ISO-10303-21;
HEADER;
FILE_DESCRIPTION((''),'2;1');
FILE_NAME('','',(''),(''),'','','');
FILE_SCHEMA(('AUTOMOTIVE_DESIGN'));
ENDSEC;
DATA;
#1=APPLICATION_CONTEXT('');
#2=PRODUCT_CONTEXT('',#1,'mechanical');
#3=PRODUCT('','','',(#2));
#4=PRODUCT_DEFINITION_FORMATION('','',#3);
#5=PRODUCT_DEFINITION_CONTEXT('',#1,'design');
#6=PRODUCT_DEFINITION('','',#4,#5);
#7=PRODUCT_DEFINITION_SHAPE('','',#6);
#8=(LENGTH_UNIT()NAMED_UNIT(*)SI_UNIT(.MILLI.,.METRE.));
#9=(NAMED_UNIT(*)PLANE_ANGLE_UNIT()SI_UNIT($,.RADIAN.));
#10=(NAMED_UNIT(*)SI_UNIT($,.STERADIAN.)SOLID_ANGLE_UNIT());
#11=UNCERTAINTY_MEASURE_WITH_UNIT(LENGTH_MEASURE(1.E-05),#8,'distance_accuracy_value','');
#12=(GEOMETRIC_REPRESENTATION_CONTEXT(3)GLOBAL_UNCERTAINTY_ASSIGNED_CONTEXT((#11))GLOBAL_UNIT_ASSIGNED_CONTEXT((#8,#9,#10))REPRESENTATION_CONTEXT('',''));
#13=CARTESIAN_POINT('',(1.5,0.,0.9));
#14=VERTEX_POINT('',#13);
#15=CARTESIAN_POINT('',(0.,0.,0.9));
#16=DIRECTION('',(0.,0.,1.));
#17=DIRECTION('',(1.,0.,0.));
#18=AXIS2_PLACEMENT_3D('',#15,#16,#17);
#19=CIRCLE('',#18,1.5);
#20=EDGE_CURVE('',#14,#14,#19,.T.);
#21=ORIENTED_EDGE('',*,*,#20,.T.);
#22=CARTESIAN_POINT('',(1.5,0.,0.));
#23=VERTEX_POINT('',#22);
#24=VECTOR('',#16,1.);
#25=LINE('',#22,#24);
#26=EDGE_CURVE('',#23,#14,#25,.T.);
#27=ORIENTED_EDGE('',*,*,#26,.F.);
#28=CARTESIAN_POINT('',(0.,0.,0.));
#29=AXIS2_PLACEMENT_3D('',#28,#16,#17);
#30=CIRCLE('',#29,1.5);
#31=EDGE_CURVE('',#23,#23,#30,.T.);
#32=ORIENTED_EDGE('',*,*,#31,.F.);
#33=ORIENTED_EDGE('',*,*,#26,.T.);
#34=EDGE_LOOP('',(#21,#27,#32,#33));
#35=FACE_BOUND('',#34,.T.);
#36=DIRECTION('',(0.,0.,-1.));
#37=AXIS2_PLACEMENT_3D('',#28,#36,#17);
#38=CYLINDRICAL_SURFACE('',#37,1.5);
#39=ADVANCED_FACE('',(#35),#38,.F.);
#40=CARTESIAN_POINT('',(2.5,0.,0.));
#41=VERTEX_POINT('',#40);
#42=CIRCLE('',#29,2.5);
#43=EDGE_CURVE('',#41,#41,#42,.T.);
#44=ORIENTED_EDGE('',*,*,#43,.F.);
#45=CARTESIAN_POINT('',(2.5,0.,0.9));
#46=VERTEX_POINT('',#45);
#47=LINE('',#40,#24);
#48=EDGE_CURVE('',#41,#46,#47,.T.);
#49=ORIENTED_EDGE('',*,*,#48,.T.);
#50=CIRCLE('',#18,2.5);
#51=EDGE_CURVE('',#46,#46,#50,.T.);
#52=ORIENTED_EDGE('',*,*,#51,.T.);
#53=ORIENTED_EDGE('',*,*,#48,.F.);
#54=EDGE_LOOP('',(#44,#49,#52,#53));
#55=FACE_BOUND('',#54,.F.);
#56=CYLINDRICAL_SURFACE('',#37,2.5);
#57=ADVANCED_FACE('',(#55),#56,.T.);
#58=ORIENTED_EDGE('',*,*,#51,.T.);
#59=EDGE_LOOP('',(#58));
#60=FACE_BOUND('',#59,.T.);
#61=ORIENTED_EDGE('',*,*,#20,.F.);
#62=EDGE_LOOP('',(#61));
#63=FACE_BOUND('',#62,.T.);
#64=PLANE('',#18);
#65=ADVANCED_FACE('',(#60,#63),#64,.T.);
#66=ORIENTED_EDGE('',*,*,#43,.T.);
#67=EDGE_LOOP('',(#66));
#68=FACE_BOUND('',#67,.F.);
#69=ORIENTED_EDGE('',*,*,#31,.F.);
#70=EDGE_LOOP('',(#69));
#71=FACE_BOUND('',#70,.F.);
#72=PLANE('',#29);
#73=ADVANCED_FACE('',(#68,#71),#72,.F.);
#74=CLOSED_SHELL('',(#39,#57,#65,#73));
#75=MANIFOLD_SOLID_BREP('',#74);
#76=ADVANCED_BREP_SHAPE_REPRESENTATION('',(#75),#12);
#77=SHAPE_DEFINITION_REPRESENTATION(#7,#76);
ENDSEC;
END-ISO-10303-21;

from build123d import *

# Parameters (mm, degrees)
SKETCH_R   = 2.5
SKETCH_R_2 = 1.5
PAD_DEPTH  = 0.9


with BuildPart() as part:
    # Sketch → Pad (new body)
    with BuildSketch(Plane.XY):
        Circle(SKETCH_R)
        Circle(SKETCH_R_2, mode=Mode.SUBTRACT)
    extrude(amount=PAD_DEPTH)


solid = part.part
